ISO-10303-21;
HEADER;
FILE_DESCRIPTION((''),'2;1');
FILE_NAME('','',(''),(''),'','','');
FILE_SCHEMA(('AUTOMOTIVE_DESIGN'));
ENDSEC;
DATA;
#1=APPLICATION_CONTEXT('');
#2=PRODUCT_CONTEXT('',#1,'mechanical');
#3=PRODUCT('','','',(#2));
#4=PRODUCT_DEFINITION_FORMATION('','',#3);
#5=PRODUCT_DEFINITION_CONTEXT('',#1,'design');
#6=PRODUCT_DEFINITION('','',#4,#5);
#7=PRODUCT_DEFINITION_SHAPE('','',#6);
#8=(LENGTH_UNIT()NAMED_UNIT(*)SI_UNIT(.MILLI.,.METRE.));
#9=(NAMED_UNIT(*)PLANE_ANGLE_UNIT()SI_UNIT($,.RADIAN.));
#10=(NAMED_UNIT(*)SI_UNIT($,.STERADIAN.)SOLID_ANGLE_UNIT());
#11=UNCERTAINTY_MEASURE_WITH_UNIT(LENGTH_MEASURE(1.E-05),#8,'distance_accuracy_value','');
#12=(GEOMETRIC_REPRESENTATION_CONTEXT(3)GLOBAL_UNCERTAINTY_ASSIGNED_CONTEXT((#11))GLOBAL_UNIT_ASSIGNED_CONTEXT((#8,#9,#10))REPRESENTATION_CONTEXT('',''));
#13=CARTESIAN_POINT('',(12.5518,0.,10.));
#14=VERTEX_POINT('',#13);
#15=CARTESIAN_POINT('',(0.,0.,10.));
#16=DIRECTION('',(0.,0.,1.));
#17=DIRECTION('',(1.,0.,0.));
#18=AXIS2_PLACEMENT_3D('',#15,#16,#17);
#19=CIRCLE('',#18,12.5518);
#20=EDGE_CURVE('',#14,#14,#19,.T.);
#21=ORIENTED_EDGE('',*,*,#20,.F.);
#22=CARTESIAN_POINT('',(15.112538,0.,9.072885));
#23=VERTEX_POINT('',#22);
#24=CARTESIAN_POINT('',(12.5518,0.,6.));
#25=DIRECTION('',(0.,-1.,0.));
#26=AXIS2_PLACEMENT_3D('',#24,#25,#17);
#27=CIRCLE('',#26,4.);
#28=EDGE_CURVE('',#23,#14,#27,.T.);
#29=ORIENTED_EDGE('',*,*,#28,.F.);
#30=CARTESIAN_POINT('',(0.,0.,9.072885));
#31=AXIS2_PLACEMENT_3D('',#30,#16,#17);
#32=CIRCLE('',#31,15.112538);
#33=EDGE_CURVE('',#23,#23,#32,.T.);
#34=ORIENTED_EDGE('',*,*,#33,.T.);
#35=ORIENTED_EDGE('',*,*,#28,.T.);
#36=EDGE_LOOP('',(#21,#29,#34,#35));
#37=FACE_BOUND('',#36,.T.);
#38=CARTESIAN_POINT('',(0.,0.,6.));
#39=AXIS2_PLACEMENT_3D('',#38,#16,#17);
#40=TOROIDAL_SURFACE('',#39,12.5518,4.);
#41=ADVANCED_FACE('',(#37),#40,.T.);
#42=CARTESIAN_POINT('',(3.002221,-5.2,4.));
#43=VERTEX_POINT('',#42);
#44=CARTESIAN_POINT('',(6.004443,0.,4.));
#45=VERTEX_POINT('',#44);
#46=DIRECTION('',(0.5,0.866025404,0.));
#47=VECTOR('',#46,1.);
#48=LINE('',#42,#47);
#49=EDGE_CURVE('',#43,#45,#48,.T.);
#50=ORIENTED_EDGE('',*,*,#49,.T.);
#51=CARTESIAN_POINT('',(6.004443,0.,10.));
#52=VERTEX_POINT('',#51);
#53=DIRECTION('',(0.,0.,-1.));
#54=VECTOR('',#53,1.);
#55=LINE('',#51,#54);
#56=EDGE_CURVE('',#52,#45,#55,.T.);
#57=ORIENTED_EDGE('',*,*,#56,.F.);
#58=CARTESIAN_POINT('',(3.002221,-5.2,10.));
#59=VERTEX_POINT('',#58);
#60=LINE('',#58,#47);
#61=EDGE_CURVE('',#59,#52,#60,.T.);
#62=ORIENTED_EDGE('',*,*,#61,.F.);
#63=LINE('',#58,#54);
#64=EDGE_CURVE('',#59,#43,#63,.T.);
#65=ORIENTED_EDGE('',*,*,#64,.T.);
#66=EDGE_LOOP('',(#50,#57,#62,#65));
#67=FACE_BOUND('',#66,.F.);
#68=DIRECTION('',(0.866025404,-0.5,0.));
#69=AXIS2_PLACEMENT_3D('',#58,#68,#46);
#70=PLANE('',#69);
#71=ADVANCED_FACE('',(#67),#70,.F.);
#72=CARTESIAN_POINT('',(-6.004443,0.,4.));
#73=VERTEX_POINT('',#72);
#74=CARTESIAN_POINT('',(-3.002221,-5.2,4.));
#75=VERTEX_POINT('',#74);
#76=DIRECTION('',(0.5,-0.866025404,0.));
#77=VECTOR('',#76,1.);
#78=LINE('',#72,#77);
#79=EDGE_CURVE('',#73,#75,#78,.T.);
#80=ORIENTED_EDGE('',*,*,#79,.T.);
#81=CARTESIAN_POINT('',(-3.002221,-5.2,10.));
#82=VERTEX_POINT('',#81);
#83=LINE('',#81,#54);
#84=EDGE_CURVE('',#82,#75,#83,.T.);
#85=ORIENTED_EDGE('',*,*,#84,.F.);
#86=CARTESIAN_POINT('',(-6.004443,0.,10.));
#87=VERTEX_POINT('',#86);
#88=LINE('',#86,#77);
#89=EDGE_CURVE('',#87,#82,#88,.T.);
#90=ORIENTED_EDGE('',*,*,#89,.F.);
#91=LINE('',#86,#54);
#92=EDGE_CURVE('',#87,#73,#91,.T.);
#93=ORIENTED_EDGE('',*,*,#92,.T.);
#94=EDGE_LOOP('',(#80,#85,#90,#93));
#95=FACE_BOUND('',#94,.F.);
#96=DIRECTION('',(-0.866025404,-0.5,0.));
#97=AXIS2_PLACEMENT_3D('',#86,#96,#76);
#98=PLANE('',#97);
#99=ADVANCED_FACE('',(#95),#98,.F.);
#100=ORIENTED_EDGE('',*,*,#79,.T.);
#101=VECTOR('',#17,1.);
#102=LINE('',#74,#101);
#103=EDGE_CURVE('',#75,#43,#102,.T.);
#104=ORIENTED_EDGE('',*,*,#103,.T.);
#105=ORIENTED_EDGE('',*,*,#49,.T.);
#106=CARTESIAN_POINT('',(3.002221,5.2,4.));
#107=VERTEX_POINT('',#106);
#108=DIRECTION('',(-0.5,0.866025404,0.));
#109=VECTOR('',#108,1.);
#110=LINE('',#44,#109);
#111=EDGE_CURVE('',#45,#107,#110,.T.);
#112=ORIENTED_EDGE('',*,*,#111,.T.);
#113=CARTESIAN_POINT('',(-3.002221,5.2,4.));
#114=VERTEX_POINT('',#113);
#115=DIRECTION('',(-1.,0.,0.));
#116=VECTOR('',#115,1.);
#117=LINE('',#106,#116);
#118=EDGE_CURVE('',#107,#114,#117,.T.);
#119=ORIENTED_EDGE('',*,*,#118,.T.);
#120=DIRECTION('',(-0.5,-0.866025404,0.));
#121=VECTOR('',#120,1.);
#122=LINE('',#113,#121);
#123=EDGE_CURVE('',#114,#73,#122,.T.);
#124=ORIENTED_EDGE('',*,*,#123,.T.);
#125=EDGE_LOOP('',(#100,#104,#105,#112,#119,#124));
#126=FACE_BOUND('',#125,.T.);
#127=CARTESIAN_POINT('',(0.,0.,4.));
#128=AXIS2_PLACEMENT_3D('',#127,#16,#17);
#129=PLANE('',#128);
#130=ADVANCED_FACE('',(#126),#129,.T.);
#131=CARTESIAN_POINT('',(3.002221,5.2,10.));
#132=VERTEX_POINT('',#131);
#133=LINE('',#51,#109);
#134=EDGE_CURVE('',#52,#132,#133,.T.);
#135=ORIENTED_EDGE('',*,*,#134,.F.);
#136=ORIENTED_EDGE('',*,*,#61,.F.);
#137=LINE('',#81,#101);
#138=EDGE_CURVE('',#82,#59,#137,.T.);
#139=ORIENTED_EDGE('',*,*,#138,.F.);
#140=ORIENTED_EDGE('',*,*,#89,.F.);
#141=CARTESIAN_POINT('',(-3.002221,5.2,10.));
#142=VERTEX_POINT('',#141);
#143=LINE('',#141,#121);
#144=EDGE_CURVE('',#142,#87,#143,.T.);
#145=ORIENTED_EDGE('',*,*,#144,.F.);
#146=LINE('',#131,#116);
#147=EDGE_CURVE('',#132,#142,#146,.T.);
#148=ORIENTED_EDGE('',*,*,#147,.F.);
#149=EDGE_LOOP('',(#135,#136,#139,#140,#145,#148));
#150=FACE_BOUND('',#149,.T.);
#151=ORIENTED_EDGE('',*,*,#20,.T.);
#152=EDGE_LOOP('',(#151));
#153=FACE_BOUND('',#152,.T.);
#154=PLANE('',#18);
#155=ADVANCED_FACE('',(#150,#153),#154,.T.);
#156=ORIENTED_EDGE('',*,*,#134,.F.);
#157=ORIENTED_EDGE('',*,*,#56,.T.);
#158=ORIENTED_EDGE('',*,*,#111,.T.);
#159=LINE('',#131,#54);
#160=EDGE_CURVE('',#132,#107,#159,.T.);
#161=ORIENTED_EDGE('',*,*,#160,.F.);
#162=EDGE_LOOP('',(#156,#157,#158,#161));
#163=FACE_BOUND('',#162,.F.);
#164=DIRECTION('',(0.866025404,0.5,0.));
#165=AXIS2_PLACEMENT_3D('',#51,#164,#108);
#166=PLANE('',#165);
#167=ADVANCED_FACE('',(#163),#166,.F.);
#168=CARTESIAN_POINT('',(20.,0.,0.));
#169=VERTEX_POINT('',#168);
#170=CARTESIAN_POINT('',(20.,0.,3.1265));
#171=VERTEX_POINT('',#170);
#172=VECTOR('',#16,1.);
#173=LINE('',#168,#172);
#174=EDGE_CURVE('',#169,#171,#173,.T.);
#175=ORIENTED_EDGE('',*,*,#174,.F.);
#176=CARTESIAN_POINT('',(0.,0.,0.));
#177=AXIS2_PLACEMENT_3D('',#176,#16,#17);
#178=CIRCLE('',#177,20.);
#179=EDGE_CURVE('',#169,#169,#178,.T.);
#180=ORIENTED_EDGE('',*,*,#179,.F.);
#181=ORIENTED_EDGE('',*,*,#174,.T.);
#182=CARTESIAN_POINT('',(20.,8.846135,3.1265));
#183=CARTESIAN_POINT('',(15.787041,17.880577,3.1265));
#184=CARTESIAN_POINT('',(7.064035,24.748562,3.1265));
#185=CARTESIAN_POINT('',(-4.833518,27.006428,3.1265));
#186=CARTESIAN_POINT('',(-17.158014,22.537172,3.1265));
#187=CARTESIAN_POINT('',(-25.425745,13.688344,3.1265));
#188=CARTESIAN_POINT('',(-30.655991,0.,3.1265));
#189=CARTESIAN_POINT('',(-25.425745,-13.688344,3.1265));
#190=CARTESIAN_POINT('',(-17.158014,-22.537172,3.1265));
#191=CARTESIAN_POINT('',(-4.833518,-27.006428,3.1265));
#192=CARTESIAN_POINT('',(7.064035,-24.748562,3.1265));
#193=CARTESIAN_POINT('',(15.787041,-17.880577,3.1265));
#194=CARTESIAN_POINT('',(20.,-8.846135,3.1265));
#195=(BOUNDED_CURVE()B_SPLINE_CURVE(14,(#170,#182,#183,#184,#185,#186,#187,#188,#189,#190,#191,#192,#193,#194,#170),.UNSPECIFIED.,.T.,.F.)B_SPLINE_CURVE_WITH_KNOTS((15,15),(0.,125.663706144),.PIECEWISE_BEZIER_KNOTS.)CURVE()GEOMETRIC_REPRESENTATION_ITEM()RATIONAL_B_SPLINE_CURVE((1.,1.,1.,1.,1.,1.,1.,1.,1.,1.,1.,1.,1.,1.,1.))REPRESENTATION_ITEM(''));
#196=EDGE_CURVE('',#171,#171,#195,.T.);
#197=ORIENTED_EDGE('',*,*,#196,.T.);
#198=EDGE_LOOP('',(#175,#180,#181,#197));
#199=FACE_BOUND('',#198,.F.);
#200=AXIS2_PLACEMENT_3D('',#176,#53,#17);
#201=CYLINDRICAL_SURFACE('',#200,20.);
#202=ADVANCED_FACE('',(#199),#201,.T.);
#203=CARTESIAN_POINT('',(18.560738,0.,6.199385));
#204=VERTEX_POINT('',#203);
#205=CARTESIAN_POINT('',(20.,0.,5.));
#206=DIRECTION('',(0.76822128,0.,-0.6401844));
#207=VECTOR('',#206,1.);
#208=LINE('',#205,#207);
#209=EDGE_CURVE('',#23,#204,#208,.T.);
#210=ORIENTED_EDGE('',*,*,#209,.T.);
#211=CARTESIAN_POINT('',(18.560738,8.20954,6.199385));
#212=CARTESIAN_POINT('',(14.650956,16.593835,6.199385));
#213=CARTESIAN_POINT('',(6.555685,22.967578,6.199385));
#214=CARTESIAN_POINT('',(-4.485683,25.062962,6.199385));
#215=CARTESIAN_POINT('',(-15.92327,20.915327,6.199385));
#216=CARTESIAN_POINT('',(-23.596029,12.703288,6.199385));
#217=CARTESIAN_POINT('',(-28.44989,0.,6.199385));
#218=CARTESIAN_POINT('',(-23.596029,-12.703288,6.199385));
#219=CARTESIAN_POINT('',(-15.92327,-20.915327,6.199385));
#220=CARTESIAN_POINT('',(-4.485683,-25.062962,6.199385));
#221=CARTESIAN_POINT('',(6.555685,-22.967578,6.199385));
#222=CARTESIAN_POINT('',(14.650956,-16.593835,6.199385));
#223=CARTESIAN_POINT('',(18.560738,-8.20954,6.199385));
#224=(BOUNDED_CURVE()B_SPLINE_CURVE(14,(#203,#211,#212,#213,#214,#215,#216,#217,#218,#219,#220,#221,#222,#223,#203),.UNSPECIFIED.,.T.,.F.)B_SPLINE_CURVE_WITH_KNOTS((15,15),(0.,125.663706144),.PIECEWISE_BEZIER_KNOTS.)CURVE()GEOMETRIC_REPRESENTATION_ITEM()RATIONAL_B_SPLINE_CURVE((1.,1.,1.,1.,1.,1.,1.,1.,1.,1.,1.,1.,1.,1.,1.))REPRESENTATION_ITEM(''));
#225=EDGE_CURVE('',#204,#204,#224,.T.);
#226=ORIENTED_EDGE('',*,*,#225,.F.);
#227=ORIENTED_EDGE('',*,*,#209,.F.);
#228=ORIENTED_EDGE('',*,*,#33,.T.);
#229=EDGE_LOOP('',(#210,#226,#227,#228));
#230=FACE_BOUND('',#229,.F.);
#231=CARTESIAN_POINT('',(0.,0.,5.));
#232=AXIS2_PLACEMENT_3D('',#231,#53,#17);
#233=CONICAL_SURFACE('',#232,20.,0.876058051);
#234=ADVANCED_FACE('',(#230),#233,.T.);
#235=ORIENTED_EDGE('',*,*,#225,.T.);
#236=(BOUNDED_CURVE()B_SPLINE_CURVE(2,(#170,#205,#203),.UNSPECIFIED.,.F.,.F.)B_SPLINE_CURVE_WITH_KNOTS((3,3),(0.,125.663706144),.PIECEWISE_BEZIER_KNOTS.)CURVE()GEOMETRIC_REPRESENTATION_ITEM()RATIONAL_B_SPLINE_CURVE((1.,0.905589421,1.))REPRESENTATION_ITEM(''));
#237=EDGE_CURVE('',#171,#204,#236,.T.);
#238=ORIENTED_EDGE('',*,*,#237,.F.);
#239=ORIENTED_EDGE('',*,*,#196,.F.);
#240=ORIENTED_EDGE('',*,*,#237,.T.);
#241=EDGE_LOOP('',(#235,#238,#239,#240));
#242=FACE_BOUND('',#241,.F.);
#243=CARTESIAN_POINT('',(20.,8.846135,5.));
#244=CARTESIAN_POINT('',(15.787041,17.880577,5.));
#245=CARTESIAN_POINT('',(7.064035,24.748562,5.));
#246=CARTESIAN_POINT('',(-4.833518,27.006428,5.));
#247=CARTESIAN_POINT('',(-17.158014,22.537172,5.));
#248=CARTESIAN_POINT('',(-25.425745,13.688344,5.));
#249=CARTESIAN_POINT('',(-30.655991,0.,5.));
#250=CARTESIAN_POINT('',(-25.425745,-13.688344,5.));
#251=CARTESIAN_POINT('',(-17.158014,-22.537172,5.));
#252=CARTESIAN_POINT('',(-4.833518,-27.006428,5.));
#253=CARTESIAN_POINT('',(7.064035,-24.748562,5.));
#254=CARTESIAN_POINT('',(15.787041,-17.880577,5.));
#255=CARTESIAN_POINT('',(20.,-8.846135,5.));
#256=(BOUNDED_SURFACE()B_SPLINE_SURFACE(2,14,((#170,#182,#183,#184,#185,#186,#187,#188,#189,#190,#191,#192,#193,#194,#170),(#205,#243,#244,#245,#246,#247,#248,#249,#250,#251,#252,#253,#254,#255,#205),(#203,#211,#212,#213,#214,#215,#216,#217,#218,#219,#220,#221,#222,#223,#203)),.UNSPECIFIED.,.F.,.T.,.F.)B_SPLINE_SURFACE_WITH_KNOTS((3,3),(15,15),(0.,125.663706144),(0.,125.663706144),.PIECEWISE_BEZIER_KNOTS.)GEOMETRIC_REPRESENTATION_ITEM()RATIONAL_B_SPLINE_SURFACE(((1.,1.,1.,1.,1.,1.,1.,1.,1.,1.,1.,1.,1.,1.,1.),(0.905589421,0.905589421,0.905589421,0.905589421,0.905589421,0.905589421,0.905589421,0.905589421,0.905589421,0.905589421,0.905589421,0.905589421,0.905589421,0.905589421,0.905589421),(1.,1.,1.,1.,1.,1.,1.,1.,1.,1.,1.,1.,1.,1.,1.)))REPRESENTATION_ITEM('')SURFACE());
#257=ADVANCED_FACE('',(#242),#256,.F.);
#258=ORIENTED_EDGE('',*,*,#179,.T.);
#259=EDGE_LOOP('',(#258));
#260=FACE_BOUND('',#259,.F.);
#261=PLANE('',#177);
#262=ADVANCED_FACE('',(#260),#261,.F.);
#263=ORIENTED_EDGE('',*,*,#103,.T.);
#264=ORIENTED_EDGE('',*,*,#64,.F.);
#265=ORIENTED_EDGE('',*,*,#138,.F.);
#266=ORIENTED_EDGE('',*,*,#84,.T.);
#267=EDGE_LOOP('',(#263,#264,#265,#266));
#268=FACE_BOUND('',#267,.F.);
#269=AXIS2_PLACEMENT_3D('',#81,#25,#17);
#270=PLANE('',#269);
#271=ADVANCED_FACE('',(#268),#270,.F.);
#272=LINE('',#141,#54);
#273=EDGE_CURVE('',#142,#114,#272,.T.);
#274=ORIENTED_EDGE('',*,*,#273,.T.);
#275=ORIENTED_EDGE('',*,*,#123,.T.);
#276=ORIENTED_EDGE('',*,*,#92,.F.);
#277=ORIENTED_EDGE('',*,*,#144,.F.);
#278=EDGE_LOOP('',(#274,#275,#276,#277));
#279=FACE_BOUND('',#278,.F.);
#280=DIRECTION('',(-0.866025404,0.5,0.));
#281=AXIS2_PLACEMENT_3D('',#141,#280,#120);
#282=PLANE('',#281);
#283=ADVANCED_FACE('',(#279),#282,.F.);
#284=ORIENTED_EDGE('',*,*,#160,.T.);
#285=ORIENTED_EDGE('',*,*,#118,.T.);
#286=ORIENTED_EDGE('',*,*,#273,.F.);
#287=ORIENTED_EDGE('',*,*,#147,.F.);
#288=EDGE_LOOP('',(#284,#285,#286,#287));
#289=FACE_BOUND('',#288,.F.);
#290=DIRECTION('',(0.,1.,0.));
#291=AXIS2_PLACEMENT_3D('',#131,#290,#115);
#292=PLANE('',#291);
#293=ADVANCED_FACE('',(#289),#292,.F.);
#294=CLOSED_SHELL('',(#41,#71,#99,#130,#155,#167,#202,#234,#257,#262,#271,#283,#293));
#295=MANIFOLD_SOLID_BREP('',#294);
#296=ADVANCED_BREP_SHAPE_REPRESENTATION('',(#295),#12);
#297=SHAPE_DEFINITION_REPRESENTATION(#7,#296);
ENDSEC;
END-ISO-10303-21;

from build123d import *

# Parameters (mm, degrees)
F0_R     = 20
F1_DEPTH = 10
F3_DEPTH = 6
F4_SIZE2 = 5
F4_SIZE  = 6
F5_R     = 4


with BuildPart() as f1:
    # F0 (on Top) → F1 (new body)
    with BuildSketch(Plane.XY):
        Circle(F0_R)
    extrude(amount=F1_DEPTH)

    # F2 (on face) → F3 (cut)
    with BuildSketch(Plane.XY.offset(10)):
        Polygon((3.0022213998, -5.2), (6.0044427996, 0), (3.0022213998, 5.2), (-3.0022213998, 5.2), (-6.0044427996, 0), (-3.0022213998, -5.2), align=None)
    extrude(amount=-F3_DEPTH, mode=Mode.SUBTRACT)

    # F4
    f4_edges = [f1.edges().sort_by_distance(p)[0] for p in [
        (-20, 0, 10),
    ]]
    f4_side = f1.faces().sort_by_distance((-19.434315, 0, 10))[0]
    chamfer(f4_edges, length=F4_SIZE, length2=F4_SIZE2, reference=f4_side)

    # F5
    f5_edges = [f1.edges().sort_by_distance(p)[0] for p in [
        (-14, 0, 10),
        (-20, 0, 5),
    ]]
    fillet(f5_edges, radius=F5_R)


solid = f1.part
